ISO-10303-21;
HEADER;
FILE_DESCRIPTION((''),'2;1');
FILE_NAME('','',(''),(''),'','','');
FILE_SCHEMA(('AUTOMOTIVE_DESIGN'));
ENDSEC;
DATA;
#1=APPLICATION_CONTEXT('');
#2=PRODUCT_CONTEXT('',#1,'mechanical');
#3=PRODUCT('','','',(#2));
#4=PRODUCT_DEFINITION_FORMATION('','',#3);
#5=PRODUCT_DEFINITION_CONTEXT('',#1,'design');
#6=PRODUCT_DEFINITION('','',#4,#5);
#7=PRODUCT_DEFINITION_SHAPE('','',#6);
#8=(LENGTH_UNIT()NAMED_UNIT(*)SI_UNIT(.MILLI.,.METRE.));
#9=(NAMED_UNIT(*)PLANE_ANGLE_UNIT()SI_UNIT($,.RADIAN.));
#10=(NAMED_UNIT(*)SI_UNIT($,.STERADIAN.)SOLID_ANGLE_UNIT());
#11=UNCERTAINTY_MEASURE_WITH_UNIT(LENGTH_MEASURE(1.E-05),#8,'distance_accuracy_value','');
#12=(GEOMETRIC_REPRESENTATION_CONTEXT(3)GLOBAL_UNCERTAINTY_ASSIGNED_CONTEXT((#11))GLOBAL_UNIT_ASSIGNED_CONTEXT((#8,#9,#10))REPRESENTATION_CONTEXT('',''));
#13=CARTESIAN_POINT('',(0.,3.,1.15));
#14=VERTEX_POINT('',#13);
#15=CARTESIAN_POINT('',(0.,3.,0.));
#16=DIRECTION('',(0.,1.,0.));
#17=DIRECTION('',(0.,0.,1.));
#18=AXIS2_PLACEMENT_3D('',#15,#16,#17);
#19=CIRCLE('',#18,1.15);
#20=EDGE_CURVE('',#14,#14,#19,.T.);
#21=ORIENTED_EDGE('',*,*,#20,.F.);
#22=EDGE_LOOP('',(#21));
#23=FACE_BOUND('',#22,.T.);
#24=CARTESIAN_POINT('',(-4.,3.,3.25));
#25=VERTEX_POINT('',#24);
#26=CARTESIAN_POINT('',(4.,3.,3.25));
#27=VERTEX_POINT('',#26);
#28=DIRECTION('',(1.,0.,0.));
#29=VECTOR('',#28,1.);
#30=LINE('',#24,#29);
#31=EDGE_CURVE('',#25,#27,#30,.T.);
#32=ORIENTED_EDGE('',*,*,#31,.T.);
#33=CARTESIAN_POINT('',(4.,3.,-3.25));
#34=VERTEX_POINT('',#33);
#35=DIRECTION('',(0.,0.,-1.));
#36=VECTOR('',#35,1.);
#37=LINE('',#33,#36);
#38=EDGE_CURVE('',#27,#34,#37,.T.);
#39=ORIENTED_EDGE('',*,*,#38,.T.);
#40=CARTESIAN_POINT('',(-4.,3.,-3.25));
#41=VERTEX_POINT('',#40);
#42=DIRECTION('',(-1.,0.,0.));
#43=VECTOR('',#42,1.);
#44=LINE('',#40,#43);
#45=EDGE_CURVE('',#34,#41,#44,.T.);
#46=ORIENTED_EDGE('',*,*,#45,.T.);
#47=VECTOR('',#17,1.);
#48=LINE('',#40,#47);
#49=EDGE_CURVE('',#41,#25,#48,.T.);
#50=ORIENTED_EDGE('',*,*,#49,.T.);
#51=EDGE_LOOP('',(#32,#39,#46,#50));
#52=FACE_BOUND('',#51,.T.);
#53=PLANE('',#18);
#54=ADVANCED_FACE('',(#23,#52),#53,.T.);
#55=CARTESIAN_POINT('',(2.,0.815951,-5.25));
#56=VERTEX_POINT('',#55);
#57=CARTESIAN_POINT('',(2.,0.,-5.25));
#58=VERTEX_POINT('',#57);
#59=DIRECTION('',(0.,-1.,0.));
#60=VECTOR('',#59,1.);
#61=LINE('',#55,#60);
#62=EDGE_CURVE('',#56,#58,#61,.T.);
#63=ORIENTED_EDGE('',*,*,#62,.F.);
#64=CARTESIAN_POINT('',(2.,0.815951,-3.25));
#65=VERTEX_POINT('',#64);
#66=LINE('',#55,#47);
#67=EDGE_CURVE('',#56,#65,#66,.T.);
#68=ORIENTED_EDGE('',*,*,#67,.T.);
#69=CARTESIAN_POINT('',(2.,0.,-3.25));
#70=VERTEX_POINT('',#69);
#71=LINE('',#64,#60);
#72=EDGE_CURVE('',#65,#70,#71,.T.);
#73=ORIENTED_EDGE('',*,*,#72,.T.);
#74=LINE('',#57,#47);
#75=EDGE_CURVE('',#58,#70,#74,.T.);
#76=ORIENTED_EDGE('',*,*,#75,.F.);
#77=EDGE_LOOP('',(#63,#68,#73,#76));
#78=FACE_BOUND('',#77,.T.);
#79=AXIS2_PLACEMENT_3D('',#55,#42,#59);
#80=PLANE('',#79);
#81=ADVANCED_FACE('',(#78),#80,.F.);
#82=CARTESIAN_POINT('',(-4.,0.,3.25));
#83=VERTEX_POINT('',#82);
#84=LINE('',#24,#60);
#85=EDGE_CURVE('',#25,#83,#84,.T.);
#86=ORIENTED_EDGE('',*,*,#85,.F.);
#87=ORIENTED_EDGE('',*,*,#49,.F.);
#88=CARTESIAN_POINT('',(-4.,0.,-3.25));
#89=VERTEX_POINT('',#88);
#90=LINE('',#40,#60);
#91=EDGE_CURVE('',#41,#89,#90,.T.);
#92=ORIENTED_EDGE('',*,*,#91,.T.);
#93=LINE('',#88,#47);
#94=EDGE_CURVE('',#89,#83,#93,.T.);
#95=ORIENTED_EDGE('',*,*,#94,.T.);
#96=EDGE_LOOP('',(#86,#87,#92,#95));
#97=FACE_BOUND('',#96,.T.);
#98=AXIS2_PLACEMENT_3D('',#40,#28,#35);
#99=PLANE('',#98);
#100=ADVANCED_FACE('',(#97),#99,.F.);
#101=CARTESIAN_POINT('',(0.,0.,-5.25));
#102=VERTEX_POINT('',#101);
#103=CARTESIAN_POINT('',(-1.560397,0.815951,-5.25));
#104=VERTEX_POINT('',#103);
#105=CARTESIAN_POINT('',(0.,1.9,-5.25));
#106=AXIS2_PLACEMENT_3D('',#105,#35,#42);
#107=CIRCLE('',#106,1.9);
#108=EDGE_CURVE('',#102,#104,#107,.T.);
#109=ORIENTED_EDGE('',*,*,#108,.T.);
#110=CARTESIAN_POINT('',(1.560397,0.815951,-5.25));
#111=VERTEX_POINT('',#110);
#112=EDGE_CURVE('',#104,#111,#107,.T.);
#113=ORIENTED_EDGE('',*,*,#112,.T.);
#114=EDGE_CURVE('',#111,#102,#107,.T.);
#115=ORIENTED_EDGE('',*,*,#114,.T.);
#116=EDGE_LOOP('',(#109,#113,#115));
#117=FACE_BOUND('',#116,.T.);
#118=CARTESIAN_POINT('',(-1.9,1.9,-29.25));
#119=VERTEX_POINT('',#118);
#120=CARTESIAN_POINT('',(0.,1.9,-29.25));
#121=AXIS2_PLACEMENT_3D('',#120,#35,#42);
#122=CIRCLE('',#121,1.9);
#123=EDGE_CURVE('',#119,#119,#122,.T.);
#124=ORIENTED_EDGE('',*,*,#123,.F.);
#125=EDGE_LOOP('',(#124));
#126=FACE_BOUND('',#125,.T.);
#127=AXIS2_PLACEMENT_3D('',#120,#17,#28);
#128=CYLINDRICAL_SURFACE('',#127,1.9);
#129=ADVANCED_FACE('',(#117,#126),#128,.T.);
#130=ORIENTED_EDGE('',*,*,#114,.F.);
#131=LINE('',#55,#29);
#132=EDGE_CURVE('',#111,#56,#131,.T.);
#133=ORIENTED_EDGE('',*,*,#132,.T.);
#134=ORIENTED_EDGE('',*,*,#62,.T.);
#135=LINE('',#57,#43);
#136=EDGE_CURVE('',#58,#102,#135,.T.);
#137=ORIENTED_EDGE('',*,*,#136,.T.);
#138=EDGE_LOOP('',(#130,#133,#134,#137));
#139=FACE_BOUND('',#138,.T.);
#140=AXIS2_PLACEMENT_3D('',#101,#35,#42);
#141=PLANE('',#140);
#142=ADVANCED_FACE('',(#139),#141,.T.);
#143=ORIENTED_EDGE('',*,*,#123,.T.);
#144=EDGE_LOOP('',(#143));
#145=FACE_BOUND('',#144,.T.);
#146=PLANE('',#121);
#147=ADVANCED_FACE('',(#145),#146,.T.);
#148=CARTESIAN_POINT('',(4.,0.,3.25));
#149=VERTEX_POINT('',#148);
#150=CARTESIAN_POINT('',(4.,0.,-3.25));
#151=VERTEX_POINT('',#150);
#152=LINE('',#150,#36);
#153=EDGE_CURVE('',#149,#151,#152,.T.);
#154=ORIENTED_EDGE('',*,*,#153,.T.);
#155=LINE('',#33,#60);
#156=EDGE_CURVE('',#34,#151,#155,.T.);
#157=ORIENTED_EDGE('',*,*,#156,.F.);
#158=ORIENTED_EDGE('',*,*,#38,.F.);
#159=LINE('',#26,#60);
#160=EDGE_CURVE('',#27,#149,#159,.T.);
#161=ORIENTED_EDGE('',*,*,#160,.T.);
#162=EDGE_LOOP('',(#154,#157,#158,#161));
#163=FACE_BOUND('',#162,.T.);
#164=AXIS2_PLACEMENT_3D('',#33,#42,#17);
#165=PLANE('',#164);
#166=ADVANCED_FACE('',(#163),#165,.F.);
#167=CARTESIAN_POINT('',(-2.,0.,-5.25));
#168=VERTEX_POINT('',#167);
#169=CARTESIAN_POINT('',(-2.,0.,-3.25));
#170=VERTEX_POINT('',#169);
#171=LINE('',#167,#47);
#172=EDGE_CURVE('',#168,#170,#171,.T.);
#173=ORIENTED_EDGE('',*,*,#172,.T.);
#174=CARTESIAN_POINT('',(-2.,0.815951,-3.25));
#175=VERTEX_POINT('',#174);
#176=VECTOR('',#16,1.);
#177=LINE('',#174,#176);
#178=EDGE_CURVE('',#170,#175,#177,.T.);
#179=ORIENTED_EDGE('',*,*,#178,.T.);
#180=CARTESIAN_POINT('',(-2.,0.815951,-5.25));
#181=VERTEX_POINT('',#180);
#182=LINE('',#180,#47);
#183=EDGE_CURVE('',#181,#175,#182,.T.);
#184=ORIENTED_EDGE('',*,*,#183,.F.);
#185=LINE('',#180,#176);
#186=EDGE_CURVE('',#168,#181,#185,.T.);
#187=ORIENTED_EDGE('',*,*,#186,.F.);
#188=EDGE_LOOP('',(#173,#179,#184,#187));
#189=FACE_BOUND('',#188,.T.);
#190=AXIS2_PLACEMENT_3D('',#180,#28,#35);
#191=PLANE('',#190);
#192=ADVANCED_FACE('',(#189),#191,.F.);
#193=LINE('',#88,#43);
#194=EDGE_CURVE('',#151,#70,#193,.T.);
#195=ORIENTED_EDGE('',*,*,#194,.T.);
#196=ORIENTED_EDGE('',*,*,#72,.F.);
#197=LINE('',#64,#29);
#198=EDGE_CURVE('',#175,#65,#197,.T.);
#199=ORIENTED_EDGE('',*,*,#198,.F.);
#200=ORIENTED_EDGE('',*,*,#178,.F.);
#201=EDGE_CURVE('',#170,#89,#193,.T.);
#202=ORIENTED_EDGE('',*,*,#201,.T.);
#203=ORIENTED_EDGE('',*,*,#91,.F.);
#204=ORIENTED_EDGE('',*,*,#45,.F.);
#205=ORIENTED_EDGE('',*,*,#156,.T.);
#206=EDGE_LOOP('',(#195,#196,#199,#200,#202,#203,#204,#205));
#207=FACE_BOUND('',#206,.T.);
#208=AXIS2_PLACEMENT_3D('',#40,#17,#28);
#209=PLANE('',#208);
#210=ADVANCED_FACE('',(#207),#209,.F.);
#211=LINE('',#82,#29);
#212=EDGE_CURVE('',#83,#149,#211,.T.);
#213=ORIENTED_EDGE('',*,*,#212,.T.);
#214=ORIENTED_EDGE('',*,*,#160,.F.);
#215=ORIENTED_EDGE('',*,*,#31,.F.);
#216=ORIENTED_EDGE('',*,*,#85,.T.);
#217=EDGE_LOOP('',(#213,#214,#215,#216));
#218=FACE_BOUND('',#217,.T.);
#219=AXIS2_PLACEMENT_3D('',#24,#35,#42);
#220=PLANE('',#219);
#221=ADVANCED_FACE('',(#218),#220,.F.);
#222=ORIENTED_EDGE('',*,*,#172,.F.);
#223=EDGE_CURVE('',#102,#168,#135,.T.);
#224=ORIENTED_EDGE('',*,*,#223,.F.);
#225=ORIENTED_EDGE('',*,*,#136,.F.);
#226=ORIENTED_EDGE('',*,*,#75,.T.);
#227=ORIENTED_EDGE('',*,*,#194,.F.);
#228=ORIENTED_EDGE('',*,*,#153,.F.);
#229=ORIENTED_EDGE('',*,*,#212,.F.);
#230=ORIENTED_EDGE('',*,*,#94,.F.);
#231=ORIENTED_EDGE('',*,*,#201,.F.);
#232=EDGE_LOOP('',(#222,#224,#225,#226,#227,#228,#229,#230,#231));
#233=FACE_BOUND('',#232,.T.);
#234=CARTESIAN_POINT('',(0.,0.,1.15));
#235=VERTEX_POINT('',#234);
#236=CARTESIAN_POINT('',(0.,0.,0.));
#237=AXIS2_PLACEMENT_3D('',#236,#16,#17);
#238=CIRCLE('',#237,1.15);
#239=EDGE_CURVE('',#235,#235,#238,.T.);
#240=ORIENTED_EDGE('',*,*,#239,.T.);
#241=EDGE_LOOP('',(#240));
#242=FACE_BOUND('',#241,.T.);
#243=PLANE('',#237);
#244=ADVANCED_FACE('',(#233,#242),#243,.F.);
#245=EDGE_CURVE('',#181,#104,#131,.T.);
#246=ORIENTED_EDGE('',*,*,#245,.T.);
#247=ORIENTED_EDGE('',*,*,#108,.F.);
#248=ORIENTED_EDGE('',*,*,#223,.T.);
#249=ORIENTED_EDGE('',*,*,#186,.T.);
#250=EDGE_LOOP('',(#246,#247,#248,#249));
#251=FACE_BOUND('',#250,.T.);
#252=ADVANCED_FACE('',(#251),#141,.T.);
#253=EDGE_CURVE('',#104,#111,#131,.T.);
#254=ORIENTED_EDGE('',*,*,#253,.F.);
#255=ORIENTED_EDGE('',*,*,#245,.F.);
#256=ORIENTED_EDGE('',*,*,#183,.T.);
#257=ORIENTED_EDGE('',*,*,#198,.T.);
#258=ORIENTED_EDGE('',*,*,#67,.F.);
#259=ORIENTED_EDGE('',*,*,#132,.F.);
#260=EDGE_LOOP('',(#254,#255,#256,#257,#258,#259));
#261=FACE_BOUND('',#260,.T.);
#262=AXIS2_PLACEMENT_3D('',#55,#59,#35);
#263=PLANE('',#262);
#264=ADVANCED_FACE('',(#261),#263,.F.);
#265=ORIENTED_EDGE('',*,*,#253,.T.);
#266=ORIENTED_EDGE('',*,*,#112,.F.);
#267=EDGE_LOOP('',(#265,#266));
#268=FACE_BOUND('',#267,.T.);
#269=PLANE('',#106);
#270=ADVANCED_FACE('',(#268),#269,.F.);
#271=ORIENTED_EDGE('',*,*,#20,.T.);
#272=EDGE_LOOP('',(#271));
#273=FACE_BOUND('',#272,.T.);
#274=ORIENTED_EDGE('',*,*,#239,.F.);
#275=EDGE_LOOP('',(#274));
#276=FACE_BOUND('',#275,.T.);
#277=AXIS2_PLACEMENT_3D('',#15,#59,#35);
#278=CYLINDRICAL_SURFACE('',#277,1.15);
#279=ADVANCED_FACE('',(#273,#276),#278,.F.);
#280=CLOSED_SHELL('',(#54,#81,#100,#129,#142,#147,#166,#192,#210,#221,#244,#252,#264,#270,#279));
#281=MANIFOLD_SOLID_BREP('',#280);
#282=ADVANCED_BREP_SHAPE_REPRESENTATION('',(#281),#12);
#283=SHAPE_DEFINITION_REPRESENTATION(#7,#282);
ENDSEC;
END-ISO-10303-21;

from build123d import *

# Parameters (mm, degrees)
ESBO_O1_W                = 8
ESBO_O1_H                = 6.5
ESBO_O1_R                = 1.15
RESSALTO_EXTRUS_O1_DEPTH = 3
ESBO_O2_W                = 4
ESBO_O2_H                = 0.815950815
RESSALTO_EXTRUS_O2_DEPTH = 2
ESBO_O3_R                = 1.9
RESSALTO_EXTRUS_O3_DEPTH = 24


with BuildPart() as part:
    # Esboço1 → Ressalto-extrusão1 (new body)
    with BuildSketch(Plane(origin=(0, 0, 0), x_dir=(1, 0, 0), z_dir=(0, 1, 0))):
        Rectangle(ESBO_O1_W, ESBO_O1_H)
        with Locations(Location((0, 0, 0), (0, 0, 270))):
            Circle(ESBO_O1_R, mode=Mode.SUBTRACT)
    extrude(amount=RESSALTO_EXTRUS_O1_DEPTH)

    # Esboço2 → Ressalto-extrusão2 (add)
    with BuildSketch(Plane(origin=(0, 0, -3.25), x_dir=(-1, 0, 0), z_dir=(0, 0, -1))):
        with Locations((0, 0.407975407)):
            Rectangle(ESBO_O2_W, ESBO_O2_H)
    extrude(amount=RESSALTO_EXTRUS_O2_DEPTH)

    # Esboço3 → Ressalto-extrusão3 (add)
    with BuildSketch(Plane(origin=(0, 0, -5.25), x_dir=(-1, 0, 0), z_dir=(0, 0, -1))):
        with Locations(Location((0, 1.9, 0), (0, 0, 214.788741518))):
            Circle(ESBO_O3_R)
    extrude(amount=RESSALTO_EXTRUS_O3_DEPTH)


solid = part.part
